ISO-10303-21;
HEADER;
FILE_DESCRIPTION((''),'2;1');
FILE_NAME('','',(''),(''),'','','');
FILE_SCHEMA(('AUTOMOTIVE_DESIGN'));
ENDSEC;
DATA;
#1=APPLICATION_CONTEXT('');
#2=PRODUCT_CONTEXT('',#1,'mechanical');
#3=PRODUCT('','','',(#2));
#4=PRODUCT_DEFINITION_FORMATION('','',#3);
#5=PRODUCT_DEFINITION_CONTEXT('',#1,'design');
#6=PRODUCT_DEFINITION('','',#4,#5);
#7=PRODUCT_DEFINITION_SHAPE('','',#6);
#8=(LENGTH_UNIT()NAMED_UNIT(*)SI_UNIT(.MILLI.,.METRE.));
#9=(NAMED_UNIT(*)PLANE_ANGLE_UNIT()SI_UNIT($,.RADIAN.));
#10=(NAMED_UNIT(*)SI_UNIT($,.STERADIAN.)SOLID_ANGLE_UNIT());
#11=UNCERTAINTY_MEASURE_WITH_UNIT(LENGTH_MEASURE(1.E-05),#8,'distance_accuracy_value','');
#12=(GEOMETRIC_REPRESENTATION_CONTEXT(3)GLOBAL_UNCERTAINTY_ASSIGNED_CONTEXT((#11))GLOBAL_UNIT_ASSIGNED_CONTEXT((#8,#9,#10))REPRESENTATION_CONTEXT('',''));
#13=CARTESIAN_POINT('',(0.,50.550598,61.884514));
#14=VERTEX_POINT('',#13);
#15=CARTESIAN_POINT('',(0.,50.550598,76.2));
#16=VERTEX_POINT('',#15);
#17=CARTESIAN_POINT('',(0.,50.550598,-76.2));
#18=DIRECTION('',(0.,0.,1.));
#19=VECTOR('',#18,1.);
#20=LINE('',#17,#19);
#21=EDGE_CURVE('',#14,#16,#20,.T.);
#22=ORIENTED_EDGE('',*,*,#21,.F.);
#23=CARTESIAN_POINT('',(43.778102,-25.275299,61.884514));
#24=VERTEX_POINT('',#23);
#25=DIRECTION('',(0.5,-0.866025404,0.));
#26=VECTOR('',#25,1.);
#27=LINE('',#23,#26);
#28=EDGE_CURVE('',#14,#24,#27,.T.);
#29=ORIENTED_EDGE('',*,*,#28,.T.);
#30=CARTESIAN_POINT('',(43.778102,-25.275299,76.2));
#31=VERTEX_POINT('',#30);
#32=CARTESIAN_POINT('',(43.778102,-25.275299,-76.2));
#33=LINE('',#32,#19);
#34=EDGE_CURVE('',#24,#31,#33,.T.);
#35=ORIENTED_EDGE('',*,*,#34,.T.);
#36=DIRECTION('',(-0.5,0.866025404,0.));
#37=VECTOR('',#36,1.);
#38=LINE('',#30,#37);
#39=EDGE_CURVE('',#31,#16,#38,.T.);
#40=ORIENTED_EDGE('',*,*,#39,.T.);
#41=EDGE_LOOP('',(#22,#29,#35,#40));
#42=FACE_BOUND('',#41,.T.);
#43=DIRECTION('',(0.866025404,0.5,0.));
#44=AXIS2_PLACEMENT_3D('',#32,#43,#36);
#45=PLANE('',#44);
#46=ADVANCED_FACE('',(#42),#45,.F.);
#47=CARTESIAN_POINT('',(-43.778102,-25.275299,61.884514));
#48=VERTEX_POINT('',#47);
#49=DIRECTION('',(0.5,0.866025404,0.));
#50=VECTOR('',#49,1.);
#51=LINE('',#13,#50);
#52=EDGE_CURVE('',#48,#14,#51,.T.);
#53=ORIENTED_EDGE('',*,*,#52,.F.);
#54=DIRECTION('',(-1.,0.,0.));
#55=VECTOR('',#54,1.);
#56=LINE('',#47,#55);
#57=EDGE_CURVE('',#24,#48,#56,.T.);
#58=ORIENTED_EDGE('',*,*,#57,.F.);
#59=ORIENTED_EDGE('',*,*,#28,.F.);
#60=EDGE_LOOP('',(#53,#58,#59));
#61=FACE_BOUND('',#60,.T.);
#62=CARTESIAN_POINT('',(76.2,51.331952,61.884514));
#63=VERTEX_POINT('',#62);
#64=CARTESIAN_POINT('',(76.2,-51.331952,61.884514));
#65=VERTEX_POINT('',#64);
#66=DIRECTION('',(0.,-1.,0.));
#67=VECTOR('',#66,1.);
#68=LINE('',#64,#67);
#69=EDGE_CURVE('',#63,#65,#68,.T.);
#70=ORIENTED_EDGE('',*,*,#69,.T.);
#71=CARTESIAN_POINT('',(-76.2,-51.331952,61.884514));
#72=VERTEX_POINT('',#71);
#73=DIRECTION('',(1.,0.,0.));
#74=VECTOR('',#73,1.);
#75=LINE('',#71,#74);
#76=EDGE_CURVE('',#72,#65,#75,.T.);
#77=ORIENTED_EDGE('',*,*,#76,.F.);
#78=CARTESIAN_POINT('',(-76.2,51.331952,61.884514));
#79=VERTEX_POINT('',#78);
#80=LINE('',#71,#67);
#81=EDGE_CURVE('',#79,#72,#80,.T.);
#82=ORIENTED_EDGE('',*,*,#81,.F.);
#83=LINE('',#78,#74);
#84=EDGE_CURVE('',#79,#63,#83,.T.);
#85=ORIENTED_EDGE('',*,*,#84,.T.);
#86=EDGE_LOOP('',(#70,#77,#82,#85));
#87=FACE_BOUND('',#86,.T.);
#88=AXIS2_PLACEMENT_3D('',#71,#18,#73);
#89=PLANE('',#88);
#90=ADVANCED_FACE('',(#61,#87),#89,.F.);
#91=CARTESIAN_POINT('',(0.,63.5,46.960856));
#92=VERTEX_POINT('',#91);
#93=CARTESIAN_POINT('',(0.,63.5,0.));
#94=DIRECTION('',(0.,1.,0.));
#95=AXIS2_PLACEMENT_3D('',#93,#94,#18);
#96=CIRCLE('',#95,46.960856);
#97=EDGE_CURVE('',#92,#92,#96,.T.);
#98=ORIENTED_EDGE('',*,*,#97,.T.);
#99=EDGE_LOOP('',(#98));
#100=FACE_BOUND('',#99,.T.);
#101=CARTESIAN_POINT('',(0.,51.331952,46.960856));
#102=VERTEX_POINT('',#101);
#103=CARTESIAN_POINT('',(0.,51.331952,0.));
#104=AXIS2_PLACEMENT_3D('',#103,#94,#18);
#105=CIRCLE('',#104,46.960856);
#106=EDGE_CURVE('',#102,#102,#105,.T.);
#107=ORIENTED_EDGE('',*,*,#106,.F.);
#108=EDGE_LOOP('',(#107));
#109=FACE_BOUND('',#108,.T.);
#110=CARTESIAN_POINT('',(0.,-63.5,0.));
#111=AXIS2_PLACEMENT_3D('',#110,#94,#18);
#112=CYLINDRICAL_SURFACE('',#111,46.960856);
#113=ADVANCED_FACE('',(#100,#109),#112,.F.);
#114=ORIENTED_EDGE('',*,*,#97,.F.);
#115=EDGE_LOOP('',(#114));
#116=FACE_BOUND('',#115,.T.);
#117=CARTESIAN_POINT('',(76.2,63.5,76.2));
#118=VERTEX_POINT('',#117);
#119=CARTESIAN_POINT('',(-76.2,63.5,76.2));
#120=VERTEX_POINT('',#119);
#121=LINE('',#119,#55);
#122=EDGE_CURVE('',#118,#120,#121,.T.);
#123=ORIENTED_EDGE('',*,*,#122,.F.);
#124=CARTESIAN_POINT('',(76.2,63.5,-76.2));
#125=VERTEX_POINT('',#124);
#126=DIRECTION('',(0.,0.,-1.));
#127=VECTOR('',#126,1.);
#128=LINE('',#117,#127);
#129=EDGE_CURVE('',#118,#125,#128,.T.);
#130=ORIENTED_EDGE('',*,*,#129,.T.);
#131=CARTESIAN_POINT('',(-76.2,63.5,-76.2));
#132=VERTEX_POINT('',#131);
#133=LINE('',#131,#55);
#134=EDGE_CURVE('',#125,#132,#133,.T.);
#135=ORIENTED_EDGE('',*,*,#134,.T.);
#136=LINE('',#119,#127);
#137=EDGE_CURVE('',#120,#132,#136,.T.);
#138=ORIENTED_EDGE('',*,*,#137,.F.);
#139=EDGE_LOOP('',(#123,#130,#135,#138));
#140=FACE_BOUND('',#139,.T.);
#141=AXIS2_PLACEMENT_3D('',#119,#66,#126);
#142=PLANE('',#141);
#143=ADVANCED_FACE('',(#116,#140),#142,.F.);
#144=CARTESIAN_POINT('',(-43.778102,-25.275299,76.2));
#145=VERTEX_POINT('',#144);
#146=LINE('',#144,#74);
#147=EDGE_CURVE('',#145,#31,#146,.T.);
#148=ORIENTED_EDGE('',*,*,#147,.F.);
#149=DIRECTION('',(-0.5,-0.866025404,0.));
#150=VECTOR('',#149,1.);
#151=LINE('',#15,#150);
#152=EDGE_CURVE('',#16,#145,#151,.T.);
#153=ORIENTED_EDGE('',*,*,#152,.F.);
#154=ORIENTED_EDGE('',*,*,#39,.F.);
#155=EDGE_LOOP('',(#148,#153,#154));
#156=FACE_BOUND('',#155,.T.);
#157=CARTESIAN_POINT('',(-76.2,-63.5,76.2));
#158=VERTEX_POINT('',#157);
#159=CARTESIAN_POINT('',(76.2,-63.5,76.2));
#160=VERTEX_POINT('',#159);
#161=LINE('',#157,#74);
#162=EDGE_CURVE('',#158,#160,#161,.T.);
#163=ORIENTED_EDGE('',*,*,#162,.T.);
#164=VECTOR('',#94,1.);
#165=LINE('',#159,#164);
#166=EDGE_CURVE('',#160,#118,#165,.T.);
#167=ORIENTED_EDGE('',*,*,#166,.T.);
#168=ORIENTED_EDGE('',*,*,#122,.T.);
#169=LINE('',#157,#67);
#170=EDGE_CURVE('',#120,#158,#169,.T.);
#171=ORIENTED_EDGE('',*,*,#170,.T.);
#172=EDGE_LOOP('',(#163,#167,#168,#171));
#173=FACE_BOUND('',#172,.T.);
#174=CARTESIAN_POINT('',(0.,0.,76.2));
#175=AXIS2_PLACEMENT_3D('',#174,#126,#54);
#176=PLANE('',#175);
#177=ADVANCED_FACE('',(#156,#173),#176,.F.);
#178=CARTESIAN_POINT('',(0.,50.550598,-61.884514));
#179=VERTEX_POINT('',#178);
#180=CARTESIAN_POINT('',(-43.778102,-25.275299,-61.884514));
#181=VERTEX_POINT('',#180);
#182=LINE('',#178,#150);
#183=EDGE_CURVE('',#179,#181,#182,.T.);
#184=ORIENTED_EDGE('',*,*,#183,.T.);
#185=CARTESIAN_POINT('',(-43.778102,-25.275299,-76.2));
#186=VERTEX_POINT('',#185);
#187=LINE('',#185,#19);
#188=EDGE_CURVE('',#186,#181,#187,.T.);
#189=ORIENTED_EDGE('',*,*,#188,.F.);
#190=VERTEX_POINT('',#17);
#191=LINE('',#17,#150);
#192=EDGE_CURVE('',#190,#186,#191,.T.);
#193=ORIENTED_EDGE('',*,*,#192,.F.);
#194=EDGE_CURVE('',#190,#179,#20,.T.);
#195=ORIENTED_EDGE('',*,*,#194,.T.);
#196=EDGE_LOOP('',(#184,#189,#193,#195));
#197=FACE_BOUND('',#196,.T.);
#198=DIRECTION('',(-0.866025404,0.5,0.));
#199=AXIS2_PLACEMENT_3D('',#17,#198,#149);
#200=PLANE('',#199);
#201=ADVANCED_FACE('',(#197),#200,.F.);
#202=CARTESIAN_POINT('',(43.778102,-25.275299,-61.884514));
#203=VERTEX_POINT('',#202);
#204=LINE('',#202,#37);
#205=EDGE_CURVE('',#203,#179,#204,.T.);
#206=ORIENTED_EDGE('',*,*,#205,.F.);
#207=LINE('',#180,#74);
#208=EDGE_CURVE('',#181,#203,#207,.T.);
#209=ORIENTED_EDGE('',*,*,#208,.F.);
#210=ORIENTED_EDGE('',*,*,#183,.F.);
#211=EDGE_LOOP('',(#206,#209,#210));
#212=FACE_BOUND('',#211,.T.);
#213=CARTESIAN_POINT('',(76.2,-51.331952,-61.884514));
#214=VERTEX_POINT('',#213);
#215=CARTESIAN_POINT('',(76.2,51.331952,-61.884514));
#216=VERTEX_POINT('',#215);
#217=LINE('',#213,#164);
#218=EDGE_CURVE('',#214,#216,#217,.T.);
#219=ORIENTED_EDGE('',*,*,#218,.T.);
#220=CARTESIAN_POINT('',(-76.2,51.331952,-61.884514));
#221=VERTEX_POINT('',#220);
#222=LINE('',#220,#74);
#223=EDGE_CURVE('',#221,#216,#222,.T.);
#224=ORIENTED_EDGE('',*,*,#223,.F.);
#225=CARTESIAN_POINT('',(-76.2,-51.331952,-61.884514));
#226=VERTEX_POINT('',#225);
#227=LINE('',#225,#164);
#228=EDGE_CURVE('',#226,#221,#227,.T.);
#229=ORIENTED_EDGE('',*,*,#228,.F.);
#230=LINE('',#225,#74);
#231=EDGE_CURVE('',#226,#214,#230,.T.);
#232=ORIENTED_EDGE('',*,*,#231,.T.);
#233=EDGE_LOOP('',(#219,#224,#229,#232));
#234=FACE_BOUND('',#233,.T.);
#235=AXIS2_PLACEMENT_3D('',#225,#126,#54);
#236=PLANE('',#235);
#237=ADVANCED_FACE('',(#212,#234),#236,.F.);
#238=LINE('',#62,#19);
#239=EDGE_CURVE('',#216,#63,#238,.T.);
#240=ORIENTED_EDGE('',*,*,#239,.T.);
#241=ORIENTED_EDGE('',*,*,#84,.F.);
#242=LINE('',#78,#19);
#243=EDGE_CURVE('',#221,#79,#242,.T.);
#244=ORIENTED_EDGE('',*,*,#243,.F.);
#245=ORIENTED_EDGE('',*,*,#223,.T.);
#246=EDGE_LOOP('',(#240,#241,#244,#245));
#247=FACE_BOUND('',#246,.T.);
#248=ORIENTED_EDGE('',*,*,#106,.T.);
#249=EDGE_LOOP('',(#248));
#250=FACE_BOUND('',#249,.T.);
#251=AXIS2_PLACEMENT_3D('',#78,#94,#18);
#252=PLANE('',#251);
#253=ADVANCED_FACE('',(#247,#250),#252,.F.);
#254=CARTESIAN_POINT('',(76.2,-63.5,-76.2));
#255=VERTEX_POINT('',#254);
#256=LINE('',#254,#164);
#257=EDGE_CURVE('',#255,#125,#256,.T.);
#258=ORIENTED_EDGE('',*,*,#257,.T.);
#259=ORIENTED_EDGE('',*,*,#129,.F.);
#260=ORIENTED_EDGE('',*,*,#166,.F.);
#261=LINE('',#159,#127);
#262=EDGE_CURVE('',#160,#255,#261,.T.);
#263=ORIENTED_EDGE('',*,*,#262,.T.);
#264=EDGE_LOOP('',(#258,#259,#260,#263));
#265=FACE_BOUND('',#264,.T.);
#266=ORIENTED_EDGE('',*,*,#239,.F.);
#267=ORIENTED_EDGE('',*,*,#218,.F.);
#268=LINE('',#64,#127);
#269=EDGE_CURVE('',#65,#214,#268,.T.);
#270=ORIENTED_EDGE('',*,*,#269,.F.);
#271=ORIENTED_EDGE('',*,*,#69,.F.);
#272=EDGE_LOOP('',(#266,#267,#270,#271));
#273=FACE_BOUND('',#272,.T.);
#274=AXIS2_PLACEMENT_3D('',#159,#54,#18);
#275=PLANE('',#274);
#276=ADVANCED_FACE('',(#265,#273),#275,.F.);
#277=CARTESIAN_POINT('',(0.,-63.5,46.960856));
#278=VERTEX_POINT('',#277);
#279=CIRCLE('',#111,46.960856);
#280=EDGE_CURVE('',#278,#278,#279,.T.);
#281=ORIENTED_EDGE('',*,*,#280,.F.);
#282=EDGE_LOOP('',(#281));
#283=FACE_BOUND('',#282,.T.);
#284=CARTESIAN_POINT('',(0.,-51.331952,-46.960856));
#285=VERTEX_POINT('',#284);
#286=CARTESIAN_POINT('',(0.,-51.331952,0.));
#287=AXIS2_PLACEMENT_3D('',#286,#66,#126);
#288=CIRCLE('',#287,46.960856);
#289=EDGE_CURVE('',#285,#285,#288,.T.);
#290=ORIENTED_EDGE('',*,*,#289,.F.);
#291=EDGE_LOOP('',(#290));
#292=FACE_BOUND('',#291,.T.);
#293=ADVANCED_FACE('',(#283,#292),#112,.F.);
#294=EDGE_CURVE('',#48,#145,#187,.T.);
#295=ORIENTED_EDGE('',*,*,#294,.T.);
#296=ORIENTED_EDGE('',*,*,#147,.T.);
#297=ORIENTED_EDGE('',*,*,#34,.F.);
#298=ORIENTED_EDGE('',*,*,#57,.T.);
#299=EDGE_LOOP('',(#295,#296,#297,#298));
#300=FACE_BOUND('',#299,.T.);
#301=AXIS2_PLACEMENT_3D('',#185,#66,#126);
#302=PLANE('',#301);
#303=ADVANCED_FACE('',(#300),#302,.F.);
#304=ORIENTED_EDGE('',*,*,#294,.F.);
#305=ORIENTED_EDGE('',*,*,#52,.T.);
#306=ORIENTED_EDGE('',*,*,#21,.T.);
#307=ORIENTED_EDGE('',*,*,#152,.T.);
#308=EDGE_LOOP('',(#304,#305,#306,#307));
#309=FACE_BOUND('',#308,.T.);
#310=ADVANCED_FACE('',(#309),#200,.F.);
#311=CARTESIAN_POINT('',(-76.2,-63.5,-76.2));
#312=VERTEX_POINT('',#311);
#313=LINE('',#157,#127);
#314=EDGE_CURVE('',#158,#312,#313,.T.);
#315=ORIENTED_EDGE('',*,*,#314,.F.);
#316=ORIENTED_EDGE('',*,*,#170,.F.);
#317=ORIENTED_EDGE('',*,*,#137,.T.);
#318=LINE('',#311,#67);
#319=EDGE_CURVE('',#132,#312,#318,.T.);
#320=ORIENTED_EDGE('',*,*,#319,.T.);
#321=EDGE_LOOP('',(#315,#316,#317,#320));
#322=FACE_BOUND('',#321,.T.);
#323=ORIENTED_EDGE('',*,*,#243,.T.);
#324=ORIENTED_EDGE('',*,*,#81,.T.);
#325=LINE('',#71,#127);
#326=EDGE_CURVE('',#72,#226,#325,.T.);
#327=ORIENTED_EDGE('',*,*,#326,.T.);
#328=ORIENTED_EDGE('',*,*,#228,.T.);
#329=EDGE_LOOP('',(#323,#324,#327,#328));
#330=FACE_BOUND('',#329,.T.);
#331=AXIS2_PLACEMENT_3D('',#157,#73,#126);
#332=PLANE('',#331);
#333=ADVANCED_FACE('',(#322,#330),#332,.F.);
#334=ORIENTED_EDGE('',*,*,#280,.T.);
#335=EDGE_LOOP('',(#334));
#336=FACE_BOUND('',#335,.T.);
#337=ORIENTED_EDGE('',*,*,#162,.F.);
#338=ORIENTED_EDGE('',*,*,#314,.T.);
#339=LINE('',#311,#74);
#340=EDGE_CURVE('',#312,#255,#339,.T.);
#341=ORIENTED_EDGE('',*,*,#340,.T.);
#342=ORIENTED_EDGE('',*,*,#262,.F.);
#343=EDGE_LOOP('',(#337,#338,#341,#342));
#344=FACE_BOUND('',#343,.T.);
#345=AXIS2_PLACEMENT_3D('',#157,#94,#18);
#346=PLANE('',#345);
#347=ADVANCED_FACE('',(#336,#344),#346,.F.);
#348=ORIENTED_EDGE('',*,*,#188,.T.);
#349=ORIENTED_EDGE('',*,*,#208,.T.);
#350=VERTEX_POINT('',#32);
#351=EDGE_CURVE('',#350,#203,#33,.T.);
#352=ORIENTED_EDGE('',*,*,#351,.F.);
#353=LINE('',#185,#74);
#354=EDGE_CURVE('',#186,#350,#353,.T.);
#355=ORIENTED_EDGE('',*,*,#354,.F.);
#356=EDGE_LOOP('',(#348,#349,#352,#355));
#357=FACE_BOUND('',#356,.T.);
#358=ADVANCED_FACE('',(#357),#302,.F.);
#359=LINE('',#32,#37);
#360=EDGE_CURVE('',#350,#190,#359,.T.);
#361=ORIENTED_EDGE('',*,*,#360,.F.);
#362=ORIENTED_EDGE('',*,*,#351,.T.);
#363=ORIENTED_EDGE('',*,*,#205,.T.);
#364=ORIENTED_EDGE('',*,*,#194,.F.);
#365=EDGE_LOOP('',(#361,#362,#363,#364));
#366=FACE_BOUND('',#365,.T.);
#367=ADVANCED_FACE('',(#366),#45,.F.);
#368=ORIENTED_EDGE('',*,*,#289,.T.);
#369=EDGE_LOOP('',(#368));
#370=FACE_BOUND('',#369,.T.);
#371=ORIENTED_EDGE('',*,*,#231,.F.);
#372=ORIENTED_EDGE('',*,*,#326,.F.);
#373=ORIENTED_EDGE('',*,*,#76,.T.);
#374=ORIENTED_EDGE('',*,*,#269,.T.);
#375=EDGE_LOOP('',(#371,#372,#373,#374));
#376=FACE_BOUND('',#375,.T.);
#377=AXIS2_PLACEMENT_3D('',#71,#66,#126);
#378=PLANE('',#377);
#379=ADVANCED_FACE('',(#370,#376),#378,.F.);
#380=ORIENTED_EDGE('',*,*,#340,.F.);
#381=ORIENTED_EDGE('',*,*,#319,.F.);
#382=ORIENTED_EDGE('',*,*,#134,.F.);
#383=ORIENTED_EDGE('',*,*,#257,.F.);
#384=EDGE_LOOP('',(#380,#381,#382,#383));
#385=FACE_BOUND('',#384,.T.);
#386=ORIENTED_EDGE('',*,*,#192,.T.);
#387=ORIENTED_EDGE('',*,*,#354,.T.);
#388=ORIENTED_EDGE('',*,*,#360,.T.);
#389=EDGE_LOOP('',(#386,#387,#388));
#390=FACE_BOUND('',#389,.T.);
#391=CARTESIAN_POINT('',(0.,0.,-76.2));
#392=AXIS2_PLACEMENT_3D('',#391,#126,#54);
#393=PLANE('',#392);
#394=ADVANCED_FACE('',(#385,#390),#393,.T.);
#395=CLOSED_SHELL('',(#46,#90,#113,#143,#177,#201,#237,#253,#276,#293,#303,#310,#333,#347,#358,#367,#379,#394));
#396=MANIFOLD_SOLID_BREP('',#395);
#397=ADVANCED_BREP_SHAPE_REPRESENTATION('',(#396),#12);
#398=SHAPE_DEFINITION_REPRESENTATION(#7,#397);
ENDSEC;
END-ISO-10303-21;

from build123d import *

# Parameters (mm, degrees)
SKETCH1_W           = 152.4
SKETCH1_H           = 127
BOSS_EXTRUDE1_DEPTH = 76.2
CUT_EXTRUDE1_DEPTH  = 182.836327504
SKETCH3_W           = 123.769027692
SKETCH3_H           = 102.663904472
CUT_EXTRUDE2_DEPTH  = 182.836327504
SKETCH4_R           = 46.960856135
CUT_EXTRUDE3_DEPTH  = 167.558938517


with BuildPart() as part:
    # Sketch1 → Boss-Extrude1 (new, symmetric)
    with BuildSketch(Plane.XY):
        Rectangle(SKETCH1_W, SKETCH1_H)
    extrude(amount=BOSS_EXTRUDE1_DEPTH, both=True)

    # Sketch2 → Cut-Extrude1 (cut, through all)
    with BuildSketch(Plane.XY.offset(76.2)):
        Polygon((0, 50.550598249), (-43.77810226, -25.275299124), (43.77810226, -25.275299124), align=None)
    extrude(amount=-CUT_EXTRUDE1_DEPTH, mode=Mode.SUBTRACT)

    # Sketch3 → Cut-Extrude2 (cut, through all)
    with BuildSketch(Plane(origin=(76.2, 0, 0), x_dir=(0, 0, -1), z_dir=(1, 0, 0))):
        Rectangle(SKETCH3_W, SKETCH3_H)
    extrude(amount=-CUT_EXTRUDE2_DEPTH, mode=Mode.SUBTRACT)

    # Sketch4 → Cut-Extrude3 (cut, through all)
    with BuildSketch(Plane(origin=(0, 63.5, 0), x_dir=(1, 0, 0), z_dir=(0, 1, 0))):
        with Locations(Location((0, 0, 0), (0, 0, 270))):
            Circle(SKETCH4_R)
    extrude(amount=-CUT_EXTRUDE3_DEPTH, mode=Mode.SUBTRACT)


solid = part.part
